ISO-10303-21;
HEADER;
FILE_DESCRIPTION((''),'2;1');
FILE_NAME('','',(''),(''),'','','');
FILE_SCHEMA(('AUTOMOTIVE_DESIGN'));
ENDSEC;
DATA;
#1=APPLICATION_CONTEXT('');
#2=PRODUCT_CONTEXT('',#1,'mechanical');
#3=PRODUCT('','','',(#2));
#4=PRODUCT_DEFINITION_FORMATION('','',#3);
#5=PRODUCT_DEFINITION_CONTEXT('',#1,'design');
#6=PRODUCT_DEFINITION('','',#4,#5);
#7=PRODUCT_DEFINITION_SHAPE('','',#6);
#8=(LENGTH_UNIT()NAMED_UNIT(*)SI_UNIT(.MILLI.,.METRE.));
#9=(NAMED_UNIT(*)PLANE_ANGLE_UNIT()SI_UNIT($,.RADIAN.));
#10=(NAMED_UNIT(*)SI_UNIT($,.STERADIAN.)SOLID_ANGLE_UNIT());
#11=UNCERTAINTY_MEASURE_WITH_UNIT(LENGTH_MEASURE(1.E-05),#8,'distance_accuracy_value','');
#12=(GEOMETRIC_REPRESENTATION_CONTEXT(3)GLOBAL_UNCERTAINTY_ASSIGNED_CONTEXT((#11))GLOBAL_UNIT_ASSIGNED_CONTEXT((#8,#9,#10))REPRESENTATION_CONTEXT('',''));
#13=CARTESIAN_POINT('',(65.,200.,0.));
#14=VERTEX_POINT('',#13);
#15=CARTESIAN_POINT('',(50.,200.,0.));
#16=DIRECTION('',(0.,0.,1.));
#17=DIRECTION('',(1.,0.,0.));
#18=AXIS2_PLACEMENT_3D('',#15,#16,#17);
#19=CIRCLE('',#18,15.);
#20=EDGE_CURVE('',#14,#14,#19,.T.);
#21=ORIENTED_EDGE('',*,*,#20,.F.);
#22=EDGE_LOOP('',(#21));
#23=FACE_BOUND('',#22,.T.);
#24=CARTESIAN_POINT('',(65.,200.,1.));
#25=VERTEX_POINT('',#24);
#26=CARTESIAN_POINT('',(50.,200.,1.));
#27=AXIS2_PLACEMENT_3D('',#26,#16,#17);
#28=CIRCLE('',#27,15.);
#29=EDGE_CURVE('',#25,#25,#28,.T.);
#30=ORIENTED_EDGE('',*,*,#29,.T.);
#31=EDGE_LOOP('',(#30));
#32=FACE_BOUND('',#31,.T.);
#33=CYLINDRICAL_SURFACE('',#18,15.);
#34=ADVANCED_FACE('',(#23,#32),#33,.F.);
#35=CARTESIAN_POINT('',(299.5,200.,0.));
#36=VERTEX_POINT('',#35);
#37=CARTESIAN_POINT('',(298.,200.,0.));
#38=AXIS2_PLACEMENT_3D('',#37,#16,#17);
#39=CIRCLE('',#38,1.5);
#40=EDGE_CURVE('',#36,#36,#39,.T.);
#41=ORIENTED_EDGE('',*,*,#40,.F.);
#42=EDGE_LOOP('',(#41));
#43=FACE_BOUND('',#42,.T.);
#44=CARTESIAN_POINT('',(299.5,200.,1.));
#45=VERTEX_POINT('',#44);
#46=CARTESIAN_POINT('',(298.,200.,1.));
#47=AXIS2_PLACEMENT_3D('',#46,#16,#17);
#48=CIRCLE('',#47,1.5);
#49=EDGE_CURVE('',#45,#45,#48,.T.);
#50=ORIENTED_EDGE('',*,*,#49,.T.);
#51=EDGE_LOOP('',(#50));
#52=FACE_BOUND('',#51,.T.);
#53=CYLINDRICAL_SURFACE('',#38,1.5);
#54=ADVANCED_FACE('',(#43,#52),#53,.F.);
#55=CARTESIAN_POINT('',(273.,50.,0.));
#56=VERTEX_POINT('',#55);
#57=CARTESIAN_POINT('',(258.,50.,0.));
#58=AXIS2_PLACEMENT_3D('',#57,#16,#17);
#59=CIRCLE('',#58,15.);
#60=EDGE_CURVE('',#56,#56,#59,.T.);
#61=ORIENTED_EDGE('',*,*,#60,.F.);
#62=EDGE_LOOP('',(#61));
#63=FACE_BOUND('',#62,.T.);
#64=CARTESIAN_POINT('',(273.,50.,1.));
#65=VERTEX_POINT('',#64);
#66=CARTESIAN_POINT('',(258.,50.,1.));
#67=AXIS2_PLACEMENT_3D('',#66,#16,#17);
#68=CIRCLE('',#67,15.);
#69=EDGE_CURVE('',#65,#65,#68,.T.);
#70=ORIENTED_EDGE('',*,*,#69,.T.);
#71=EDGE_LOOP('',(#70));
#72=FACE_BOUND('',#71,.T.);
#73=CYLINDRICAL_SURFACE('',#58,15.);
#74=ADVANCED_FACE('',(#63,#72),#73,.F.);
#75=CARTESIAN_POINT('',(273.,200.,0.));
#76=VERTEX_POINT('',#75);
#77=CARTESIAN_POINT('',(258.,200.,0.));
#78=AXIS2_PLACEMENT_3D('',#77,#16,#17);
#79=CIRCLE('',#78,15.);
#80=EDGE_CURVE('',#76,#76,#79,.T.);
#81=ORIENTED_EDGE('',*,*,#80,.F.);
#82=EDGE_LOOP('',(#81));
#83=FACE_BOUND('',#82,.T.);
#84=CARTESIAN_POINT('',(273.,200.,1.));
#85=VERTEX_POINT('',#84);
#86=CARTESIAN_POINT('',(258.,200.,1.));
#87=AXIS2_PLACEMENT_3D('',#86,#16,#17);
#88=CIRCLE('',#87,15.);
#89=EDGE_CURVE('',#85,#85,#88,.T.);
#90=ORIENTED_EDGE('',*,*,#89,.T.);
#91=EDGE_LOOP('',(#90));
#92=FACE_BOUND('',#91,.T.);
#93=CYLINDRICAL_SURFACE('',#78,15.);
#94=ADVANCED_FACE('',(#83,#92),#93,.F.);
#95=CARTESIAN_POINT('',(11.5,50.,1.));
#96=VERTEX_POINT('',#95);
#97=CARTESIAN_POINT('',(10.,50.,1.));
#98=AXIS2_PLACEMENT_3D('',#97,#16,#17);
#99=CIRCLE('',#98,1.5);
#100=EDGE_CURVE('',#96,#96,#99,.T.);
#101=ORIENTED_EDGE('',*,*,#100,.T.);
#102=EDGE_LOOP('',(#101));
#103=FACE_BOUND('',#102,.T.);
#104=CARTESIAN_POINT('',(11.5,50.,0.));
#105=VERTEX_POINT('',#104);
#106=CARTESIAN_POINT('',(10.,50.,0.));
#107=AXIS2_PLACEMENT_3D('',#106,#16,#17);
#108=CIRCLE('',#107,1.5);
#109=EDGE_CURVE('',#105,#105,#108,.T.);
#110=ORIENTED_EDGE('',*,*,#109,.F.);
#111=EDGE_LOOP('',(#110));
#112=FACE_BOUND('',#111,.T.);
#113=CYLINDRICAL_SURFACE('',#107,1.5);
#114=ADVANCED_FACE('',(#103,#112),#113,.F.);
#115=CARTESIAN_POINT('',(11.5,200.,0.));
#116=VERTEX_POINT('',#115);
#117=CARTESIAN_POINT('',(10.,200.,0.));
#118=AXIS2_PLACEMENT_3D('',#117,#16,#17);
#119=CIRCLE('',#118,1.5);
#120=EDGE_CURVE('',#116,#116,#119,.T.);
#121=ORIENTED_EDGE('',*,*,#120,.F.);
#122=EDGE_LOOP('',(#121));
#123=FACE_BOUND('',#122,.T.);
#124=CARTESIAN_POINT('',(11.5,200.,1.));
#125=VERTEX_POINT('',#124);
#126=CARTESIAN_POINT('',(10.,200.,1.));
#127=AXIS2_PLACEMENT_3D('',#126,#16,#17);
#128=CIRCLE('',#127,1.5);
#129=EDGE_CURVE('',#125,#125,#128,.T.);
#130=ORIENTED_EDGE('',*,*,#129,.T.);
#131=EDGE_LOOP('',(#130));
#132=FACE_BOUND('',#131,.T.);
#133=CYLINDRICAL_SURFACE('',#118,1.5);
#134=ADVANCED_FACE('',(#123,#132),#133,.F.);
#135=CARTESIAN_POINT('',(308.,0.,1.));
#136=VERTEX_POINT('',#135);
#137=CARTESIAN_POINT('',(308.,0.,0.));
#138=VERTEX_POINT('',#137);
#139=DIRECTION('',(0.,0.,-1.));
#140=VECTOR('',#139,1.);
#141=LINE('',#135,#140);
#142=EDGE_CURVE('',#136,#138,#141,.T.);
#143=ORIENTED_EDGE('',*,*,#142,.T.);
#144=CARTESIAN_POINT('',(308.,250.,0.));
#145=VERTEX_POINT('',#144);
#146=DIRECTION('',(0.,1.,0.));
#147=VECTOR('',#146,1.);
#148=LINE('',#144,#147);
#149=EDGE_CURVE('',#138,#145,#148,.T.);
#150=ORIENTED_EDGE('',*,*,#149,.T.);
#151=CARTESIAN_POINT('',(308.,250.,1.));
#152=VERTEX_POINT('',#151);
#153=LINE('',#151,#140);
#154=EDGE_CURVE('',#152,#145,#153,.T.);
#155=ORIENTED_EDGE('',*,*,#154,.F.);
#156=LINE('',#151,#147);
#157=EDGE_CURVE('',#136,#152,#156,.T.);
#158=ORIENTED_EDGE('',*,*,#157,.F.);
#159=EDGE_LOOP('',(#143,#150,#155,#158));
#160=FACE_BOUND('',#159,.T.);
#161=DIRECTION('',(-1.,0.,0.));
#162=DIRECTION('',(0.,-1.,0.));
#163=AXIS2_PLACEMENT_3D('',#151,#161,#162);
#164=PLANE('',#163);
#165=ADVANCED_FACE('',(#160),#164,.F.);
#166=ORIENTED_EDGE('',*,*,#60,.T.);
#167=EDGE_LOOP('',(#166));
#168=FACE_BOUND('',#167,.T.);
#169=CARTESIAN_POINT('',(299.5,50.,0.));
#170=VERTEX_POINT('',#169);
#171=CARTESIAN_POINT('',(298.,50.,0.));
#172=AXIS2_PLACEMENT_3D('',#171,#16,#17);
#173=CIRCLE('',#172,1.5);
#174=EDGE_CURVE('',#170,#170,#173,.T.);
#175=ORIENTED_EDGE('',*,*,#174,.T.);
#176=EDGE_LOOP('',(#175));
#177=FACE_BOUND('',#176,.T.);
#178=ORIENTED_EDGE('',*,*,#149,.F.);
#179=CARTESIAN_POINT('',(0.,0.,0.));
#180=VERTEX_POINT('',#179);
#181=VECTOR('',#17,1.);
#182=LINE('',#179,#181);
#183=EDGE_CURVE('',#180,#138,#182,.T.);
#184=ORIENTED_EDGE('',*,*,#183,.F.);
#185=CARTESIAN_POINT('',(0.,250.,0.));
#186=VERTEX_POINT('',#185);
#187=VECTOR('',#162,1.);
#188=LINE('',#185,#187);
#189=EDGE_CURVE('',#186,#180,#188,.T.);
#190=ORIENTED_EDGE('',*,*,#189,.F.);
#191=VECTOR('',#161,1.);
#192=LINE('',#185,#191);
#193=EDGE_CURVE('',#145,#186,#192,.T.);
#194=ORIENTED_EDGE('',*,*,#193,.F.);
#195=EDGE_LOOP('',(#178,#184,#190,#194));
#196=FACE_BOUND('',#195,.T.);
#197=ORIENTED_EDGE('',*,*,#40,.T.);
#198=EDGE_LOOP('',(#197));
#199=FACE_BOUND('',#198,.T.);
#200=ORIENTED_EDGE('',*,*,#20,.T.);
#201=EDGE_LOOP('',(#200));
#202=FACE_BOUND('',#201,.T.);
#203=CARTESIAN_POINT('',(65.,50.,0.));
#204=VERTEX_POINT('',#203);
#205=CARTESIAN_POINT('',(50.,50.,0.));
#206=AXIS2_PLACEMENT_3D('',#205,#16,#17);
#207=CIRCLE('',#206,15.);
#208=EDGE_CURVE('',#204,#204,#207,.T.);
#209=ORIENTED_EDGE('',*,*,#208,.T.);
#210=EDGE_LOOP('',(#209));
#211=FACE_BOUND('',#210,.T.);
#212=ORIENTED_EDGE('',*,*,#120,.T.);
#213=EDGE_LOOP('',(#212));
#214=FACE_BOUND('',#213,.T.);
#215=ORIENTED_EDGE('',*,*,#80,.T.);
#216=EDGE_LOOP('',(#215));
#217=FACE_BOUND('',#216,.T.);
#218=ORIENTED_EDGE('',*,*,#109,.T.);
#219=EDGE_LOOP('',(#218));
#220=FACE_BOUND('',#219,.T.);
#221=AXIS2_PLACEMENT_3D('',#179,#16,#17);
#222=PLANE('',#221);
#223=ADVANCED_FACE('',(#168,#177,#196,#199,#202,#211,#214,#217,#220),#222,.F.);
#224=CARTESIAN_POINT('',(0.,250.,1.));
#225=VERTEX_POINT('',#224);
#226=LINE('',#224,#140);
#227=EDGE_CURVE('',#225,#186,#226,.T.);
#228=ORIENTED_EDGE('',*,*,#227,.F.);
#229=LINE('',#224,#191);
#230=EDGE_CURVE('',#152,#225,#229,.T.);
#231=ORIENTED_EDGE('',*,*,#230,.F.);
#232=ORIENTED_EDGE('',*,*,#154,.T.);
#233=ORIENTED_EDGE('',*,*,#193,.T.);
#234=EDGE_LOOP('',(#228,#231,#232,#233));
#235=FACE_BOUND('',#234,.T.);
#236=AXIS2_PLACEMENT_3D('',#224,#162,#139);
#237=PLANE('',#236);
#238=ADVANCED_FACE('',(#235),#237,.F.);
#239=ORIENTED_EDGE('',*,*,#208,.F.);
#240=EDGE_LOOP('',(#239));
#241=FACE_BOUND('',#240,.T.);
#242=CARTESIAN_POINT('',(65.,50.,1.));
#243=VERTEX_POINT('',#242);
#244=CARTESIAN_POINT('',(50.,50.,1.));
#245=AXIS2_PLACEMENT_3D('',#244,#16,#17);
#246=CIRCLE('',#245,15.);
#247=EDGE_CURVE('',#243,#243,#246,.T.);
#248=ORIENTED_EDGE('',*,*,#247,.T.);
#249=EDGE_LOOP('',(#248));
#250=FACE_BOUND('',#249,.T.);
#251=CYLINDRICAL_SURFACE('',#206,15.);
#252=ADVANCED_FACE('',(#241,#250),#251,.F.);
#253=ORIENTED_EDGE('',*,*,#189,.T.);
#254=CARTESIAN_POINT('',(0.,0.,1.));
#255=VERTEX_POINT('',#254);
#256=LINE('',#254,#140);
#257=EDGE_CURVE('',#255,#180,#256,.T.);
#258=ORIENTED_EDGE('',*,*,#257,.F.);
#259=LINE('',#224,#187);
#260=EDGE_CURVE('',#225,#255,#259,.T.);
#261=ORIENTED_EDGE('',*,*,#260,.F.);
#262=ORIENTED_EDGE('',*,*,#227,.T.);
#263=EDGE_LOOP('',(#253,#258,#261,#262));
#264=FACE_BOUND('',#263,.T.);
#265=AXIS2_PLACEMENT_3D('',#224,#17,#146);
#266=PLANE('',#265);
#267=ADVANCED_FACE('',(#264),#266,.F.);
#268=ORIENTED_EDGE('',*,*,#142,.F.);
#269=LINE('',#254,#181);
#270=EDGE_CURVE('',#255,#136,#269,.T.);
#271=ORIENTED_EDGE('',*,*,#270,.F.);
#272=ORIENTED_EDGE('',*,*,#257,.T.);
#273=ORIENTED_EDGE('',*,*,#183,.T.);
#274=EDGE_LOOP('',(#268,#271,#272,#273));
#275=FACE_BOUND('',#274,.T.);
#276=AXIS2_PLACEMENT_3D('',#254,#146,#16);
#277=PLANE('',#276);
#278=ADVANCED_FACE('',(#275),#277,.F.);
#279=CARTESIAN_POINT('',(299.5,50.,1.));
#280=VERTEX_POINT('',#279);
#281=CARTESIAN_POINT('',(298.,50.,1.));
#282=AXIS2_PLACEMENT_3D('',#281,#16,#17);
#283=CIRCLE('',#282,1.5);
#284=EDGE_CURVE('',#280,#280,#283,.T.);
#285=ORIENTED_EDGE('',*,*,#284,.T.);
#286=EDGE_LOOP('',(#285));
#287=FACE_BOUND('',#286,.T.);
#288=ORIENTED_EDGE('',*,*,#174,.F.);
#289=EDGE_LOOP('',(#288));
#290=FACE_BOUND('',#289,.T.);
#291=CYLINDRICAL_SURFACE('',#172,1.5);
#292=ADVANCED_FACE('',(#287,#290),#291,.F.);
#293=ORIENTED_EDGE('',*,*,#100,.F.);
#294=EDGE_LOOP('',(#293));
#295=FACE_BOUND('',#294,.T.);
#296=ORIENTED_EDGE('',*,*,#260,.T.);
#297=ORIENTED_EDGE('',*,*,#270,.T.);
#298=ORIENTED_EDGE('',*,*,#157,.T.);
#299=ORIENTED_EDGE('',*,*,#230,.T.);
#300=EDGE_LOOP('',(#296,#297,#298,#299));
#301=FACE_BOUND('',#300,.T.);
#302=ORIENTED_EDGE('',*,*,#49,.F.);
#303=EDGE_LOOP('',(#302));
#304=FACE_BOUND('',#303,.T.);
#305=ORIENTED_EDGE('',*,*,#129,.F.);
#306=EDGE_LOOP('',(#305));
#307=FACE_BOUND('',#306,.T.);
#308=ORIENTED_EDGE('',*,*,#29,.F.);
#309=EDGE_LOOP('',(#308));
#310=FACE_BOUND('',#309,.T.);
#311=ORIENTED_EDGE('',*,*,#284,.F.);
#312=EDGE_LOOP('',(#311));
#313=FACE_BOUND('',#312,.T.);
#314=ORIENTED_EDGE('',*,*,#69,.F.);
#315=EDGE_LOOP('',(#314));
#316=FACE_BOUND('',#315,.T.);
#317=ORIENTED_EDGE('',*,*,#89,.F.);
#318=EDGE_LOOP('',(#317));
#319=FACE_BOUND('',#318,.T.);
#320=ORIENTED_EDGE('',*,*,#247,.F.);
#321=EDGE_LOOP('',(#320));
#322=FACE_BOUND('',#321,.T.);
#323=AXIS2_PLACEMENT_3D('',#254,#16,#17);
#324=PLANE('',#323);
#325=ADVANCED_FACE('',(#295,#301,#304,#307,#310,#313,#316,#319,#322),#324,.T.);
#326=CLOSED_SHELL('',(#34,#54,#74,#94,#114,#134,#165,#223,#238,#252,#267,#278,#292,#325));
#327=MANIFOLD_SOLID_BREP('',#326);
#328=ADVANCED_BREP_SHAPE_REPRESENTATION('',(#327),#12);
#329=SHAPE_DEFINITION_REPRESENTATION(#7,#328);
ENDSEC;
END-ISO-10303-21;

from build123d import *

# Parameters (mm, degrees)
ESQUISSE2_W                = 308
ESQUISSE2_H                = 250
BOSS_EXTRU_1_DEPTH         = 1
ESQUISSE3_R                = 1.5
ENL_V_MAT_EXTRU_1_DEPTH    = 397.692576185
R_P_TITION_LIN_AIRE1_COUNT = 2
R_P_TITION_LIN_AIRE1_PITCH = 150
ESQUISSE4_R                = 15
ENL_V_MAT_EXTRU_2_DEPTH    = 397.692576185


with BuildPart() as part:
    # Esquisse2 → Boss.-Extru.1 (new body)
    with BuildSketch(Plane.XY):
        with Locations((154, 125)):
            Rectangle(ESQUISSE2_W, ESQUISSE2_H)
    extrude(amount=BOSS_EXTRU_1_DEPTH)

    # Esquisse3 → Enlèv. mat.-Extru.1 (cut, through all)
    with BuildSketch(Plane.XY.offset(1)):
        with Locations((10, 200)):
            Circle(ESQUISSE3_R)
        with Locations((298, 200)):
            Circle(ESQUISSE3_R)
    enl_v_mat_extru_1 = extrude(amount=-ENL_V_MAT_EXTRU_1_DEPTH, mode=Mode.SUBTRACT)

    # Répétition linéaire1: Enlèv. mat.-Extru.1 ×2
    with Locations(*[(0, -i * R_P_TITION_LIN_AIRE1_PITCH, 0) for i in range(1, R_P_TITION_LIN_AIRE1_COUNT)]):
        add(enl_v_mat_extru_1, mode=Mode.SUBTRACT)

    # Esquisse4 → Enlèv. mat.-Extru.2 (cut, through all)
    with BuildSketch(Plane.XY.offset(1)):
        with Locations((50, 200)):
            Circle(ESQUISSE4_R)
        with Locations((258, 200)):
            Circle(ESQUISSE4_R)
        with Locations((50, 50)):
            Circle(ESQUISSE4_R)
        with Locations((258, 50)):
            Circle(ESQUISSE4_R)
    extrude(amount=-ENL_V_MAT_EXTRU_2_DEPTH, mode=Mode.SUBTRACT)


solid = part.part
